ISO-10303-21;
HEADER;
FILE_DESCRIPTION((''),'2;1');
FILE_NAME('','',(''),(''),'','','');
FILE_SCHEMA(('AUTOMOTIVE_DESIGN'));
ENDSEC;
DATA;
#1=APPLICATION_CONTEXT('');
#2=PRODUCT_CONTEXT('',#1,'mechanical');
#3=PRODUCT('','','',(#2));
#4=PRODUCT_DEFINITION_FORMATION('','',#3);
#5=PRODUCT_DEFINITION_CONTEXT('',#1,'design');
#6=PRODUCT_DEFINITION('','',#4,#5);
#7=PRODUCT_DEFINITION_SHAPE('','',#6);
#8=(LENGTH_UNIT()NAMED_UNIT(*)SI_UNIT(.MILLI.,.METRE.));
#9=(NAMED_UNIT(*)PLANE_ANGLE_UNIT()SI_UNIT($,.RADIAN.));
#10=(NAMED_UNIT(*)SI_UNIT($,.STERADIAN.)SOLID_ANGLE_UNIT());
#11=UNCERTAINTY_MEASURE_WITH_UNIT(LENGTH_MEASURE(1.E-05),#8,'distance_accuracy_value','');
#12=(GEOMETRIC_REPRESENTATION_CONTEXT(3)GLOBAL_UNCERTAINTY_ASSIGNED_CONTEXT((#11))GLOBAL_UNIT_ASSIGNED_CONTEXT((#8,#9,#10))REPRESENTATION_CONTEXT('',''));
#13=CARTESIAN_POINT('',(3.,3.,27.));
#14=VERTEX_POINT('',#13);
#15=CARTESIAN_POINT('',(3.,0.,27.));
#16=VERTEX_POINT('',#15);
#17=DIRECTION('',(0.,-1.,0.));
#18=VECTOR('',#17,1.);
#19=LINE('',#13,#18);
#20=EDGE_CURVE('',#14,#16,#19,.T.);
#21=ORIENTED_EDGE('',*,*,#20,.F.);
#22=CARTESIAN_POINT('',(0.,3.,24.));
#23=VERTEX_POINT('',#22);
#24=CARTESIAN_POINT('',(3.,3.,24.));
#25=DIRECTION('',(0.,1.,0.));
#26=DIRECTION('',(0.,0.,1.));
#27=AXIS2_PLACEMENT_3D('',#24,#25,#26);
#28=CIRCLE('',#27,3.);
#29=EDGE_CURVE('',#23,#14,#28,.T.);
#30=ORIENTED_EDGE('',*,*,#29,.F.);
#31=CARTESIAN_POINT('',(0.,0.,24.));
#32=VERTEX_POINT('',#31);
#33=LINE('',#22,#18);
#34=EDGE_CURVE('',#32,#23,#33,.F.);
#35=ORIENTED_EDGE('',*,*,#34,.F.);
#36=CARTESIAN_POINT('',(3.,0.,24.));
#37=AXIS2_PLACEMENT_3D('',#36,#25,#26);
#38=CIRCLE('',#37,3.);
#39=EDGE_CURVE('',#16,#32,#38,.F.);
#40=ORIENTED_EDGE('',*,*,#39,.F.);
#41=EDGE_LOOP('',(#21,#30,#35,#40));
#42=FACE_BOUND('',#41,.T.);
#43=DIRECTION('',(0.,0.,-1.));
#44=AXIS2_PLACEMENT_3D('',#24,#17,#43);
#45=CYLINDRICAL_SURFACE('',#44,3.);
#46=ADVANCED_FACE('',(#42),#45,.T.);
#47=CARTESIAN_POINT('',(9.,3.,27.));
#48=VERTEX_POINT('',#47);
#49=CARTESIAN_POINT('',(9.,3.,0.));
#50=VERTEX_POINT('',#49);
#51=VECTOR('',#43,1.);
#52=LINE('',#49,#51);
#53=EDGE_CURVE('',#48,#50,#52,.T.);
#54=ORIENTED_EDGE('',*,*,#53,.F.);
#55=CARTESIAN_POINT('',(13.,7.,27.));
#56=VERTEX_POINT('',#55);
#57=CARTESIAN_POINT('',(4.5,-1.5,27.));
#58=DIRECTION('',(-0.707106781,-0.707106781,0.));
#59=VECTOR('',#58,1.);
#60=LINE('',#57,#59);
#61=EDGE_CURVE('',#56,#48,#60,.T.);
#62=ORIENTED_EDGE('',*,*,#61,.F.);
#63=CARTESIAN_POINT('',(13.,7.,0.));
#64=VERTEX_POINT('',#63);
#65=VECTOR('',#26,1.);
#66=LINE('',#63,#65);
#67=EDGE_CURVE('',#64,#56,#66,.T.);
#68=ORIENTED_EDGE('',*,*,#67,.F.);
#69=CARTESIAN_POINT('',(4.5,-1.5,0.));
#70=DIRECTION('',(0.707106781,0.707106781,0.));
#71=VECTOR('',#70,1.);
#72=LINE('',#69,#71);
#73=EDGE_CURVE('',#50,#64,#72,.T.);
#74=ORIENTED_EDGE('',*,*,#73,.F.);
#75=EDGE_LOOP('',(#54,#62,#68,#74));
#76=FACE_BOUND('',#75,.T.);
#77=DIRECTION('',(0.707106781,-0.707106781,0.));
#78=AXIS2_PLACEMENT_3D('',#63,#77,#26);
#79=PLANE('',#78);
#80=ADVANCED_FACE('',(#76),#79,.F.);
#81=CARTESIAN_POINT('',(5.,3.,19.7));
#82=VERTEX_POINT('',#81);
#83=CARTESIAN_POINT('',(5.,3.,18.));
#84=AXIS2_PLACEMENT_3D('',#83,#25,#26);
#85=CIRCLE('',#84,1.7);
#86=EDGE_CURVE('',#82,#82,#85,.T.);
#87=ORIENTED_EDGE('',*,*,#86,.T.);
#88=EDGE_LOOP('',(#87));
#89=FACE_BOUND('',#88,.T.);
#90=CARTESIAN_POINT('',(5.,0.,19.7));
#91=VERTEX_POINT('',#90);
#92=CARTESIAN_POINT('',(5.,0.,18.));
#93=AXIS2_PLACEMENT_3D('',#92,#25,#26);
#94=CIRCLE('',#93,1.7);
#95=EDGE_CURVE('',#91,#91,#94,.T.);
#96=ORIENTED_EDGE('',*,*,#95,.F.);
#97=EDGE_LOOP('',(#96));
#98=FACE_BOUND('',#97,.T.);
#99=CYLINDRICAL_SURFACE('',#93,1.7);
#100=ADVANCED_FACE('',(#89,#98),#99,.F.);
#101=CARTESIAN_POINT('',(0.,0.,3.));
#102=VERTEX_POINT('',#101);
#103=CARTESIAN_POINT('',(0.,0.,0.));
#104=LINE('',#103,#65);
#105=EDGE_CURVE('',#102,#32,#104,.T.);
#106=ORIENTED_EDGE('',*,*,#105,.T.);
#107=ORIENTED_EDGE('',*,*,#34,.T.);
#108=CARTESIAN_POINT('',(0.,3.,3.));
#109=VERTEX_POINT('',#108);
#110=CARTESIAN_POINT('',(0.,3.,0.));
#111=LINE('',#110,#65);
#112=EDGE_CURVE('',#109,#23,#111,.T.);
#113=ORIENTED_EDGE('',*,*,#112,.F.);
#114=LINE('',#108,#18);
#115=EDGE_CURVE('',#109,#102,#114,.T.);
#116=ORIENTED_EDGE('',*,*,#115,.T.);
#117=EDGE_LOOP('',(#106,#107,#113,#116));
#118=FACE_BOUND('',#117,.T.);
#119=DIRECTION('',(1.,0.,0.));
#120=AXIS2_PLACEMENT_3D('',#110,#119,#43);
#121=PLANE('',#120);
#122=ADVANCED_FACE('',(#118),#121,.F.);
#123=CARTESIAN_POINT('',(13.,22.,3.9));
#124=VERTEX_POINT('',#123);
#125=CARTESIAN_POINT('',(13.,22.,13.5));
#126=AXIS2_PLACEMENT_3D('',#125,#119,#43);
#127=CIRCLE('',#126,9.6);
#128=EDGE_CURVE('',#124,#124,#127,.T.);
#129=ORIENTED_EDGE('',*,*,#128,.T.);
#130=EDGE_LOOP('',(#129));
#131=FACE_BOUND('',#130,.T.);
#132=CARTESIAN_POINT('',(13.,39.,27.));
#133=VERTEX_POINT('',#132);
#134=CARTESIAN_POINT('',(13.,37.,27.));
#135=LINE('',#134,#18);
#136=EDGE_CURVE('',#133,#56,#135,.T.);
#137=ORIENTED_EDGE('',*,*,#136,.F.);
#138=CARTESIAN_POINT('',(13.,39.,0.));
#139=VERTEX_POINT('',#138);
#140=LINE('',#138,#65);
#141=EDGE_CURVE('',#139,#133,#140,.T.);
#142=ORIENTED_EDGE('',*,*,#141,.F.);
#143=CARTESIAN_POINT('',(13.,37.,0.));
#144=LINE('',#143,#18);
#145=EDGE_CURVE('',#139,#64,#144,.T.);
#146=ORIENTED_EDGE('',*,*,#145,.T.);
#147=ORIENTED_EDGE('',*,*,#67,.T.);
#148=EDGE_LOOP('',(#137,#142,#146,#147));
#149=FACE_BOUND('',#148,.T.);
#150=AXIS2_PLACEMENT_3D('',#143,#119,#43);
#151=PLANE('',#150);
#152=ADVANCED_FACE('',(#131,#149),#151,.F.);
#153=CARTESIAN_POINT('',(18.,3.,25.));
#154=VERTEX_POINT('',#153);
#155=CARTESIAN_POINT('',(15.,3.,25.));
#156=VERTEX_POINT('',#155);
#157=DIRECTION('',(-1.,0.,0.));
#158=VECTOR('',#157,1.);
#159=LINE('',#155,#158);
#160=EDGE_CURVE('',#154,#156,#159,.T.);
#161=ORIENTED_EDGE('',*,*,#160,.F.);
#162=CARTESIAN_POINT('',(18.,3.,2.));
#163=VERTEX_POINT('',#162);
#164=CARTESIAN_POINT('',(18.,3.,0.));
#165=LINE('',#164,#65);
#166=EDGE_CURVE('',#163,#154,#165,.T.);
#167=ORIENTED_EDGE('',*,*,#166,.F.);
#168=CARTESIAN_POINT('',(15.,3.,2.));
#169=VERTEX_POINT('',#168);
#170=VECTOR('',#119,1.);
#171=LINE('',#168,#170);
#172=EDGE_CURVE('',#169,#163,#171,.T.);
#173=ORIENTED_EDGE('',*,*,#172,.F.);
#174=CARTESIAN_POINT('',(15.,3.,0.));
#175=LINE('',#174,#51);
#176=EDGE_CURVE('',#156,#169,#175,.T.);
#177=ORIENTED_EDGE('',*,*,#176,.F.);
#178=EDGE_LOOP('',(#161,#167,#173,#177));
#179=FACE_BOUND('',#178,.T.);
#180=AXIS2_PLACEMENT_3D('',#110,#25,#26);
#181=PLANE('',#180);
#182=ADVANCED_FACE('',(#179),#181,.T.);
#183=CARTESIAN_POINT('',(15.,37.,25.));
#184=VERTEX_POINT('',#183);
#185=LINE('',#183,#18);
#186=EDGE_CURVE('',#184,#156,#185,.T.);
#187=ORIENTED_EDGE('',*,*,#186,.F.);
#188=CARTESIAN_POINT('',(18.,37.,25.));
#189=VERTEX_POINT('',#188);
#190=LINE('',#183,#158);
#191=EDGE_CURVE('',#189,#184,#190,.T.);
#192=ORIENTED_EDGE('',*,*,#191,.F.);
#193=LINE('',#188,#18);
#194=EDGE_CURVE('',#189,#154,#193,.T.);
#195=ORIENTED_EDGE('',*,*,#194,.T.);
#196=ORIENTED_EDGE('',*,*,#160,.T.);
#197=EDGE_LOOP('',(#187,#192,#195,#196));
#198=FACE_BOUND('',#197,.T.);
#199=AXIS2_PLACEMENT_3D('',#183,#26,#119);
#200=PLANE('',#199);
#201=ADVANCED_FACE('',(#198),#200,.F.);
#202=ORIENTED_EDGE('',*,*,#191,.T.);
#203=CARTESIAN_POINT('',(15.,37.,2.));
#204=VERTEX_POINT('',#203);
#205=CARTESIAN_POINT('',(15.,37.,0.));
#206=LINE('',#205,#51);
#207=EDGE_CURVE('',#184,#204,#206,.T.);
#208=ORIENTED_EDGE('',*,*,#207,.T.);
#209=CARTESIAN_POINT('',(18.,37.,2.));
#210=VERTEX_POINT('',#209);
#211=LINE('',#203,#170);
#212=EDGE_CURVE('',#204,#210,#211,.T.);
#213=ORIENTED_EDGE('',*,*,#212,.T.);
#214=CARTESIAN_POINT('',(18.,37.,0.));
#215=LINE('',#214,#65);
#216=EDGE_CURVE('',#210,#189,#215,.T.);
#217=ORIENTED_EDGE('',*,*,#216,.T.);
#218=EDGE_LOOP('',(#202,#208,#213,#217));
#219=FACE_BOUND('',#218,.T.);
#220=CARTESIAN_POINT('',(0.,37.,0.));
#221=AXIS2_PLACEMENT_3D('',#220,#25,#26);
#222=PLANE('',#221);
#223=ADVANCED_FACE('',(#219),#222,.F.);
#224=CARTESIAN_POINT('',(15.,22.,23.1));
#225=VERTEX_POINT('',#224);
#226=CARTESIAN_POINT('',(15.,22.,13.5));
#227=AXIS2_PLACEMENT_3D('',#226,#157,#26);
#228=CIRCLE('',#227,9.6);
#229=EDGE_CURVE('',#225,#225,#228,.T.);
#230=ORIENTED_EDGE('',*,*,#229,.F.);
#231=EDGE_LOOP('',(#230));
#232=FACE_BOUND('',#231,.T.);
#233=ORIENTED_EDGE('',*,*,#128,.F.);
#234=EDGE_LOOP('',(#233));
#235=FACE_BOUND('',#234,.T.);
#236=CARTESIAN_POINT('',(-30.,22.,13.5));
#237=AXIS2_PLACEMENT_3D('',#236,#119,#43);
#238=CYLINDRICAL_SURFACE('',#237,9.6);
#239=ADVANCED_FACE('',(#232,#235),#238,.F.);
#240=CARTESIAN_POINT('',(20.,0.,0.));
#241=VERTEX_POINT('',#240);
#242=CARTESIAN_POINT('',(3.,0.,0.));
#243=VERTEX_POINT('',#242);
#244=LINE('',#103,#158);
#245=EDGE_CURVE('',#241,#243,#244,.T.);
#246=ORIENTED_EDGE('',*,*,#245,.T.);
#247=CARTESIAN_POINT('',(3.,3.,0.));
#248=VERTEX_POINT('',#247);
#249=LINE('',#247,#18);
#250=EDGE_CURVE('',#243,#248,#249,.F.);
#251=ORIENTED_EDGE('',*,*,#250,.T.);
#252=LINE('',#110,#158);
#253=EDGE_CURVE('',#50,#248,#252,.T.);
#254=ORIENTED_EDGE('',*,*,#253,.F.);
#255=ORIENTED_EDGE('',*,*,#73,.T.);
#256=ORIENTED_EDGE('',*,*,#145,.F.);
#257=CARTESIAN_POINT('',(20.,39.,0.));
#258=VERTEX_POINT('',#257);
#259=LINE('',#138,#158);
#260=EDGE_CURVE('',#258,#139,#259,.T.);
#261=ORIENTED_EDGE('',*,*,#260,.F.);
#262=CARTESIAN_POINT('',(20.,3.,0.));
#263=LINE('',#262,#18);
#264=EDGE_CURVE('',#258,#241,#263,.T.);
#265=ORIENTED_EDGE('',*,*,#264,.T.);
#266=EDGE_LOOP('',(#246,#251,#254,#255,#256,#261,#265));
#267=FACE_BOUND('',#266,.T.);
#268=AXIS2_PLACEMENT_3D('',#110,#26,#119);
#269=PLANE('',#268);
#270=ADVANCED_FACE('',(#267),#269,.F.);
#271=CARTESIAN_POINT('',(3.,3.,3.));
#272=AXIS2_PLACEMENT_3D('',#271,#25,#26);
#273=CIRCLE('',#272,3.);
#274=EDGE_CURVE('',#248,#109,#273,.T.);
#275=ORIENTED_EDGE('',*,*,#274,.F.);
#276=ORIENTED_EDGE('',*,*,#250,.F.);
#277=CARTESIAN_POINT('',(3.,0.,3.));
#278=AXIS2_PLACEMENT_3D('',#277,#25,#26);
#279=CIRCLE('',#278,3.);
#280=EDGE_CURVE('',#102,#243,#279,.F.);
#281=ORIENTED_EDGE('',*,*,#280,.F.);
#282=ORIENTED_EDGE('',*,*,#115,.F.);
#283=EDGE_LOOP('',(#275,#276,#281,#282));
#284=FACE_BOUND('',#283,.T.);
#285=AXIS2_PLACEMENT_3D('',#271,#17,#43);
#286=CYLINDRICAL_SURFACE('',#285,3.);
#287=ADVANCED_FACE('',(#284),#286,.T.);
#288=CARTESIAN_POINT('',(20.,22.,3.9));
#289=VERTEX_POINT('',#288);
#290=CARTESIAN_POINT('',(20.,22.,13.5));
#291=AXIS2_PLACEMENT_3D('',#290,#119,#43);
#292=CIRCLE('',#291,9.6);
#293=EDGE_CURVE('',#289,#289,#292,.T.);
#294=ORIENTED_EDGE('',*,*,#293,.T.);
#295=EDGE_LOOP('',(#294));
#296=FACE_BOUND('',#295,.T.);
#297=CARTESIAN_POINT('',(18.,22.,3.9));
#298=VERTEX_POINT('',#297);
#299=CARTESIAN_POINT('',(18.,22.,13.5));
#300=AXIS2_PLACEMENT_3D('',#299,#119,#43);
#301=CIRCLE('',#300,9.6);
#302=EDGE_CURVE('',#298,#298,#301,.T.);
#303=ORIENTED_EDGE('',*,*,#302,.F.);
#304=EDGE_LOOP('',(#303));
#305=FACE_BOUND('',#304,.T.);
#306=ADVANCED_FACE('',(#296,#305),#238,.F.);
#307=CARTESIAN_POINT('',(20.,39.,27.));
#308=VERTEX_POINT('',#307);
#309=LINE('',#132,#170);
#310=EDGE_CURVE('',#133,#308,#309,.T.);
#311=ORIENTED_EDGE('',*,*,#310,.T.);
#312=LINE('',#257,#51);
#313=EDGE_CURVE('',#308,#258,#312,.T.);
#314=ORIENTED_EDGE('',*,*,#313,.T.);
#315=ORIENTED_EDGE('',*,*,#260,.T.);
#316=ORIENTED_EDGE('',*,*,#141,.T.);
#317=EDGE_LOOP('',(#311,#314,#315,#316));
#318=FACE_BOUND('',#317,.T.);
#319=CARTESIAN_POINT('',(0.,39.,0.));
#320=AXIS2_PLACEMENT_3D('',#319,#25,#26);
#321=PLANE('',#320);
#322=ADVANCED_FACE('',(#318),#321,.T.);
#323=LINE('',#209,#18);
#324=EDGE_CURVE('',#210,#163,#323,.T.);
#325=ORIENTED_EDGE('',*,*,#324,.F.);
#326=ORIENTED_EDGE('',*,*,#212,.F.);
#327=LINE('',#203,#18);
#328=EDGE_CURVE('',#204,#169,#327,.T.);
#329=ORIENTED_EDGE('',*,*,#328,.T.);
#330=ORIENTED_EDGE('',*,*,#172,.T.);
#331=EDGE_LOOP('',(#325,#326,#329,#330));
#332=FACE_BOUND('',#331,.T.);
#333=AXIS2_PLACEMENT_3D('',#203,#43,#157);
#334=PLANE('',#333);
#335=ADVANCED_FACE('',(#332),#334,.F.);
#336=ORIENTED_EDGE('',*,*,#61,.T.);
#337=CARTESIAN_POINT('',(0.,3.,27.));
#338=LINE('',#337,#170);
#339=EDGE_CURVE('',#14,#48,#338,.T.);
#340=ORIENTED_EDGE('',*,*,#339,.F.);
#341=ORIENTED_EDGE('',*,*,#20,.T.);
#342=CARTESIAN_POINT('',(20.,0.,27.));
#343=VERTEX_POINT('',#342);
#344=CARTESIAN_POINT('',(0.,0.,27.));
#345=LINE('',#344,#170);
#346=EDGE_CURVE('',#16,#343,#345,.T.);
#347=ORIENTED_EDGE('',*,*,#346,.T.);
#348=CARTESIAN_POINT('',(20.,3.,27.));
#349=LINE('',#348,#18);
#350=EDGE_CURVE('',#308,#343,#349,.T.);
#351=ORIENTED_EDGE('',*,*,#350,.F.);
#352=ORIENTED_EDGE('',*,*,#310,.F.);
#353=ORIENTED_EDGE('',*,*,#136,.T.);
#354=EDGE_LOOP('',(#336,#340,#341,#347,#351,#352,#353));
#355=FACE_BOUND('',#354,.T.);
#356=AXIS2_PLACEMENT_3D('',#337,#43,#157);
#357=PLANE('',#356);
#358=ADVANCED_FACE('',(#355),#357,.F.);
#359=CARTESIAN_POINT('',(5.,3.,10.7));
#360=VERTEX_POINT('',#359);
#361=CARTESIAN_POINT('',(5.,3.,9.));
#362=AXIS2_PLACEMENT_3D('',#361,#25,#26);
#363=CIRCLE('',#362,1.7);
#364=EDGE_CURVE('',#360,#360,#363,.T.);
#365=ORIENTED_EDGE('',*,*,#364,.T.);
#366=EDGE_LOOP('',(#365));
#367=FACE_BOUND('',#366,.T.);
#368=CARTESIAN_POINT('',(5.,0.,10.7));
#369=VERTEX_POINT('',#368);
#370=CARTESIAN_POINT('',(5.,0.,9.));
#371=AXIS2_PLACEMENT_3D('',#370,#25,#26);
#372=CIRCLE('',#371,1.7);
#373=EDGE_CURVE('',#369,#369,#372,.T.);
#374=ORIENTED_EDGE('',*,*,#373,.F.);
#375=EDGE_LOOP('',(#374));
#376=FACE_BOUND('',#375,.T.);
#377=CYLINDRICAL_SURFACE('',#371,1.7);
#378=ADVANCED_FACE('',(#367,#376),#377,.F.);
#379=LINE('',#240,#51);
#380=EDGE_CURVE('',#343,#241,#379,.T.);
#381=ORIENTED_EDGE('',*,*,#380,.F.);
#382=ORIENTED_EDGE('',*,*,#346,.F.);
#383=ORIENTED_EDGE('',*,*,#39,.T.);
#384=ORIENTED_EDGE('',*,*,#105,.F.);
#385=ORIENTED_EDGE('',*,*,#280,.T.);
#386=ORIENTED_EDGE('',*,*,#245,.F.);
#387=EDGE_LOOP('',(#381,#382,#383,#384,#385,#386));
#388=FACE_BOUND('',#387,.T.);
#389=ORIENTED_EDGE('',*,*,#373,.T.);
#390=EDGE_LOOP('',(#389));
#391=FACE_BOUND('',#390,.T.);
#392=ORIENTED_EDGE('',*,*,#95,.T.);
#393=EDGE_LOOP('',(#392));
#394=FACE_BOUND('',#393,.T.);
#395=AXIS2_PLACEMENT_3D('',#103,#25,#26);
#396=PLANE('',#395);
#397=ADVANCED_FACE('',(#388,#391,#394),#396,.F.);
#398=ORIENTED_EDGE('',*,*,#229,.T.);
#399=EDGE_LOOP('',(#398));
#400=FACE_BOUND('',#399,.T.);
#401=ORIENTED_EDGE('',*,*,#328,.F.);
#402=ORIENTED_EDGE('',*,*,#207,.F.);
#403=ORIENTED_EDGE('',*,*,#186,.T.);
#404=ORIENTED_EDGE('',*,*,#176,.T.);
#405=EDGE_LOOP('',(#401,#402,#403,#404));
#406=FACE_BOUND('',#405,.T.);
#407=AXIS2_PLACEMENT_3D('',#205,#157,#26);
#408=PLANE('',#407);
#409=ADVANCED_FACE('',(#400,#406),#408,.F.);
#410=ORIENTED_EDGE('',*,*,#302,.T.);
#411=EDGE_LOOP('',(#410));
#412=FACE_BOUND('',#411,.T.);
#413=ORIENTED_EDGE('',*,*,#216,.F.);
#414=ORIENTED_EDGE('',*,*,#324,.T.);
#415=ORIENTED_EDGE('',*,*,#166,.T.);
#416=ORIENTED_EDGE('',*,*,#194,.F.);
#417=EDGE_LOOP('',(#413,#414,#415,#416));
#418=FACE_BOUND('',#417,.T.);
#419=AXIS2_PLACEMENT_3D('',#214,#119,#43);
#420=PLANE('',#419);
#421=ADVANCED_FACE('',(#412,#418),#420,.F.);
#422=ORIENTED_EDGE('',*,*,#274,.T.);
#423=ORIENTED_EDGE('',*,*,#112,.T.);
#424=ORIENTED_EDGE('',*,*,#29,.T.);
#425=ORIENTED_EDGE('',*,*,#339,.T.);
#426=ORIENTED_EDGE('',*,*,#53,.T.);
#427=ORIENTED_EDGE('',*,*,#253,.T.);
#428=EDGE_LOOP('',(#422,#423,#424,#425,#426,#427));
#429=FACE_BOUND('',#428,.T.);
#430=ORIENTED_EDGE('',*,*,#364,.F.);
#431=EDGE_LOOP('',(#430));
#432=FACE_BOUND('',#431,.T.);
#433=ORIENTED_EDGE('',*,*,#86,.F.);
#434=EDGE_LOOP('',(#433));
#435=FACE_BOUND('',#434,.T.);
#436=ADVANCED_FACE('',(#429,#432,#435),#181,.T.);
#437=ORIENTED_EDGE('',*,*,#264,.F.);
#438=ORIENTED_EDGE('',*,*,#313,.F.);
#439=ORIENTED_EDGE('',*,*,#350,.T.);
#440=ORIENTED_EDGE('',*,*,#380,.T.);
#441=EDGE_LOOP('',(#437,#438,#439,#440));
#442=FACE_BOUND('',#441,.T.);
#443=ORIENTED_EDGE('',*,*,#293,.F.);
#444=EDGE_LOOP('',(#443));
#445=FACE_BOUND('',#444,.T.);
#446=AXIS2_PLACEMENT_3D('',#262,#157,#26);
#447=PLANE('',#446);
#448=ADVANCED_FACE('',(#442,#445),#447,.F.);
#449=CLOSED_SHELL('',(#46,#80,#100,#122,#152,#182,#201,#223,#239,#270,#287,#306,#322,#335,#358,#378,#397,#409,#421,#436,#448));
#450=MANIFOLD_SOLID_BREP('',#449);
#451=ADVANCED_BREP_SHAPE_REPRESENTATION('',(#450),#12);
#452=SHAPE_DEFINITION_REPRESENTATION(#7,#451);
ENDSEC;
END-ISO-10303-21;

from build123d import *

# Parameters (mm, degrees)
SKETCH_1_W          = 20
SKETCH_1_H          = 27
EXTRUDE_1_DEPTH     = 3
SKETCH_2_W          = 2
SKETCH_2_H          = 27
EXTRUDE_2_DEPTH     = 34
SKETCH_3_W          = 2
SKETCH_3_H          = 27
EXTRUDE_3_DEPTH     = 34
SKETCH_4_W          = 3
SKETCH_4_H          = 2
EXTRUDE_4_DEPTH     = 34
SKETCH_6_W          = 7
SKETCH_6_H          = 27
EXTRUDE_5_DEPTH     = 2
SKETCH_7_R          = 1.7
CUT_EXTRUDE_1_DEPTH = 50.244289009
SKETCH_8_R          = 9.6
CUT_EXTRUDE_2_DEPTH = 50
CHAMFER_1_SIZE      = 4
FILLET_1_R          = 3


with BuildPart() as part:
    # 草图1 → 凸台-拉伸1 (new body)
    with BuildSketch(Plane(origin=(0, 0, 0), x_dir=(1, 0, 0), z_dir=(0, 1, 0))):
        with Locations((10, -13.5)):
            Rectangle(SKETCH_1_W, SKETCH_1_H)
    extrude(amount=EXTRUDE_1_DEPTH)

    # 草图2 → 凸台-拉伸2 (add)
    with BuildSketch(Plane(origin=(0, 3, 0), x_dir=(1, 0, 0), z_dir=(0, 1, 0))):
        with Locations((19, -13.5)):
            Rectangle(SKETCH_2_W, SKETCH_2_H)
    extrude(amount=EXTRUDE_2_DEPTH)

    # 草图3 → 凸台-拉伸3 (add)
    with BuildSketch(Plane(origin=(0, 3, 0), x_dir=(1, 0, 0), z_dir=(0, 1, 0))):
        with Locations((14, -13.5)):
            Rectangle(SKETCH_3_W, SKETCH_3_H)
    extrude(amount=EXTRUDE_3_DEPTH)

    # 草图4 → 凸台-拉伸4 (add)
    with BuildSketch(Plane(origin=(0, 3, 0), x_dir=(1, 0, 0), z_dir=(0, 1, 0))):
        with Locations((16.5, -1)):
            Rectangle(SKETCH_4_W, SKETCH_4_H)
        with Locations((16.5, -26)):
            Rectangle(SKETCH_4_W, SKETCH_4_H)
    extrude(amount=EXTRUDE_4_DEPTH)

    # 草图6 → 凸台-拉伸5 (add)
    with BuildSketch(Plane(origin=(0, 37, 0), x_dir=(1, 0, 0), z_dir=(0, 1, 0))):
        with Locations((16.5, -13.5)):
            Rectangle(SKETCH_6_W, SKETCH_6_H)
    extrude(amount=EXTRUDE_5_DEPTH)

    # 草图7 → 切除-拉伸1 (cut, through all)
    with BuildSketch(Plane(origin=(0, 3, 0), x_dir=(1, 0, 0), z_dir=(0, 1, 0))):
        with Locations(Location((5, -9, 0), (0, 0, 270))):
            Circle(SKETCH_7_R)
        with Locations(Location((5, -18, 0), (0, 0, 270))):
            Circle(SKETCH_7_R)
    extrude(amount=-CUT_EXTRUDE_1_DEPTH, mode=Mode.SUBTRACT)

    # 草图8 → 切除-拉伸2 (cut)
    with BuildSketch(Plane(origin=(20, 0, 0), x_dir=(0, 0, -1), z_dir=(1, 0, 0))):
        with Locations((-13.5, 22)):
            Circle(SKETCH_8_R)
    extrude(amount=-CUT_EXTRUDE_2_DEPTH, mode=Mode.SUBTRACT)

    # 倒角1
    chamfer_1_edges = [part.edges().sort_by_distance(p)[0] for p in [
        (13, 3, 13.5),
    ]]
    chamfer(chamfer_1_edges, length=CHAMFER_1_SIZE)

    # 圆角1
    fillet_1_edges = [part.edges().sort_by_distance(p)[0] for p in [
        (0, 1.5, 0),
        (0, 1.5, 27),
    ]]
    fillet(fillet_1_edges, radius=FILLET_1_R)


solid = part.part
